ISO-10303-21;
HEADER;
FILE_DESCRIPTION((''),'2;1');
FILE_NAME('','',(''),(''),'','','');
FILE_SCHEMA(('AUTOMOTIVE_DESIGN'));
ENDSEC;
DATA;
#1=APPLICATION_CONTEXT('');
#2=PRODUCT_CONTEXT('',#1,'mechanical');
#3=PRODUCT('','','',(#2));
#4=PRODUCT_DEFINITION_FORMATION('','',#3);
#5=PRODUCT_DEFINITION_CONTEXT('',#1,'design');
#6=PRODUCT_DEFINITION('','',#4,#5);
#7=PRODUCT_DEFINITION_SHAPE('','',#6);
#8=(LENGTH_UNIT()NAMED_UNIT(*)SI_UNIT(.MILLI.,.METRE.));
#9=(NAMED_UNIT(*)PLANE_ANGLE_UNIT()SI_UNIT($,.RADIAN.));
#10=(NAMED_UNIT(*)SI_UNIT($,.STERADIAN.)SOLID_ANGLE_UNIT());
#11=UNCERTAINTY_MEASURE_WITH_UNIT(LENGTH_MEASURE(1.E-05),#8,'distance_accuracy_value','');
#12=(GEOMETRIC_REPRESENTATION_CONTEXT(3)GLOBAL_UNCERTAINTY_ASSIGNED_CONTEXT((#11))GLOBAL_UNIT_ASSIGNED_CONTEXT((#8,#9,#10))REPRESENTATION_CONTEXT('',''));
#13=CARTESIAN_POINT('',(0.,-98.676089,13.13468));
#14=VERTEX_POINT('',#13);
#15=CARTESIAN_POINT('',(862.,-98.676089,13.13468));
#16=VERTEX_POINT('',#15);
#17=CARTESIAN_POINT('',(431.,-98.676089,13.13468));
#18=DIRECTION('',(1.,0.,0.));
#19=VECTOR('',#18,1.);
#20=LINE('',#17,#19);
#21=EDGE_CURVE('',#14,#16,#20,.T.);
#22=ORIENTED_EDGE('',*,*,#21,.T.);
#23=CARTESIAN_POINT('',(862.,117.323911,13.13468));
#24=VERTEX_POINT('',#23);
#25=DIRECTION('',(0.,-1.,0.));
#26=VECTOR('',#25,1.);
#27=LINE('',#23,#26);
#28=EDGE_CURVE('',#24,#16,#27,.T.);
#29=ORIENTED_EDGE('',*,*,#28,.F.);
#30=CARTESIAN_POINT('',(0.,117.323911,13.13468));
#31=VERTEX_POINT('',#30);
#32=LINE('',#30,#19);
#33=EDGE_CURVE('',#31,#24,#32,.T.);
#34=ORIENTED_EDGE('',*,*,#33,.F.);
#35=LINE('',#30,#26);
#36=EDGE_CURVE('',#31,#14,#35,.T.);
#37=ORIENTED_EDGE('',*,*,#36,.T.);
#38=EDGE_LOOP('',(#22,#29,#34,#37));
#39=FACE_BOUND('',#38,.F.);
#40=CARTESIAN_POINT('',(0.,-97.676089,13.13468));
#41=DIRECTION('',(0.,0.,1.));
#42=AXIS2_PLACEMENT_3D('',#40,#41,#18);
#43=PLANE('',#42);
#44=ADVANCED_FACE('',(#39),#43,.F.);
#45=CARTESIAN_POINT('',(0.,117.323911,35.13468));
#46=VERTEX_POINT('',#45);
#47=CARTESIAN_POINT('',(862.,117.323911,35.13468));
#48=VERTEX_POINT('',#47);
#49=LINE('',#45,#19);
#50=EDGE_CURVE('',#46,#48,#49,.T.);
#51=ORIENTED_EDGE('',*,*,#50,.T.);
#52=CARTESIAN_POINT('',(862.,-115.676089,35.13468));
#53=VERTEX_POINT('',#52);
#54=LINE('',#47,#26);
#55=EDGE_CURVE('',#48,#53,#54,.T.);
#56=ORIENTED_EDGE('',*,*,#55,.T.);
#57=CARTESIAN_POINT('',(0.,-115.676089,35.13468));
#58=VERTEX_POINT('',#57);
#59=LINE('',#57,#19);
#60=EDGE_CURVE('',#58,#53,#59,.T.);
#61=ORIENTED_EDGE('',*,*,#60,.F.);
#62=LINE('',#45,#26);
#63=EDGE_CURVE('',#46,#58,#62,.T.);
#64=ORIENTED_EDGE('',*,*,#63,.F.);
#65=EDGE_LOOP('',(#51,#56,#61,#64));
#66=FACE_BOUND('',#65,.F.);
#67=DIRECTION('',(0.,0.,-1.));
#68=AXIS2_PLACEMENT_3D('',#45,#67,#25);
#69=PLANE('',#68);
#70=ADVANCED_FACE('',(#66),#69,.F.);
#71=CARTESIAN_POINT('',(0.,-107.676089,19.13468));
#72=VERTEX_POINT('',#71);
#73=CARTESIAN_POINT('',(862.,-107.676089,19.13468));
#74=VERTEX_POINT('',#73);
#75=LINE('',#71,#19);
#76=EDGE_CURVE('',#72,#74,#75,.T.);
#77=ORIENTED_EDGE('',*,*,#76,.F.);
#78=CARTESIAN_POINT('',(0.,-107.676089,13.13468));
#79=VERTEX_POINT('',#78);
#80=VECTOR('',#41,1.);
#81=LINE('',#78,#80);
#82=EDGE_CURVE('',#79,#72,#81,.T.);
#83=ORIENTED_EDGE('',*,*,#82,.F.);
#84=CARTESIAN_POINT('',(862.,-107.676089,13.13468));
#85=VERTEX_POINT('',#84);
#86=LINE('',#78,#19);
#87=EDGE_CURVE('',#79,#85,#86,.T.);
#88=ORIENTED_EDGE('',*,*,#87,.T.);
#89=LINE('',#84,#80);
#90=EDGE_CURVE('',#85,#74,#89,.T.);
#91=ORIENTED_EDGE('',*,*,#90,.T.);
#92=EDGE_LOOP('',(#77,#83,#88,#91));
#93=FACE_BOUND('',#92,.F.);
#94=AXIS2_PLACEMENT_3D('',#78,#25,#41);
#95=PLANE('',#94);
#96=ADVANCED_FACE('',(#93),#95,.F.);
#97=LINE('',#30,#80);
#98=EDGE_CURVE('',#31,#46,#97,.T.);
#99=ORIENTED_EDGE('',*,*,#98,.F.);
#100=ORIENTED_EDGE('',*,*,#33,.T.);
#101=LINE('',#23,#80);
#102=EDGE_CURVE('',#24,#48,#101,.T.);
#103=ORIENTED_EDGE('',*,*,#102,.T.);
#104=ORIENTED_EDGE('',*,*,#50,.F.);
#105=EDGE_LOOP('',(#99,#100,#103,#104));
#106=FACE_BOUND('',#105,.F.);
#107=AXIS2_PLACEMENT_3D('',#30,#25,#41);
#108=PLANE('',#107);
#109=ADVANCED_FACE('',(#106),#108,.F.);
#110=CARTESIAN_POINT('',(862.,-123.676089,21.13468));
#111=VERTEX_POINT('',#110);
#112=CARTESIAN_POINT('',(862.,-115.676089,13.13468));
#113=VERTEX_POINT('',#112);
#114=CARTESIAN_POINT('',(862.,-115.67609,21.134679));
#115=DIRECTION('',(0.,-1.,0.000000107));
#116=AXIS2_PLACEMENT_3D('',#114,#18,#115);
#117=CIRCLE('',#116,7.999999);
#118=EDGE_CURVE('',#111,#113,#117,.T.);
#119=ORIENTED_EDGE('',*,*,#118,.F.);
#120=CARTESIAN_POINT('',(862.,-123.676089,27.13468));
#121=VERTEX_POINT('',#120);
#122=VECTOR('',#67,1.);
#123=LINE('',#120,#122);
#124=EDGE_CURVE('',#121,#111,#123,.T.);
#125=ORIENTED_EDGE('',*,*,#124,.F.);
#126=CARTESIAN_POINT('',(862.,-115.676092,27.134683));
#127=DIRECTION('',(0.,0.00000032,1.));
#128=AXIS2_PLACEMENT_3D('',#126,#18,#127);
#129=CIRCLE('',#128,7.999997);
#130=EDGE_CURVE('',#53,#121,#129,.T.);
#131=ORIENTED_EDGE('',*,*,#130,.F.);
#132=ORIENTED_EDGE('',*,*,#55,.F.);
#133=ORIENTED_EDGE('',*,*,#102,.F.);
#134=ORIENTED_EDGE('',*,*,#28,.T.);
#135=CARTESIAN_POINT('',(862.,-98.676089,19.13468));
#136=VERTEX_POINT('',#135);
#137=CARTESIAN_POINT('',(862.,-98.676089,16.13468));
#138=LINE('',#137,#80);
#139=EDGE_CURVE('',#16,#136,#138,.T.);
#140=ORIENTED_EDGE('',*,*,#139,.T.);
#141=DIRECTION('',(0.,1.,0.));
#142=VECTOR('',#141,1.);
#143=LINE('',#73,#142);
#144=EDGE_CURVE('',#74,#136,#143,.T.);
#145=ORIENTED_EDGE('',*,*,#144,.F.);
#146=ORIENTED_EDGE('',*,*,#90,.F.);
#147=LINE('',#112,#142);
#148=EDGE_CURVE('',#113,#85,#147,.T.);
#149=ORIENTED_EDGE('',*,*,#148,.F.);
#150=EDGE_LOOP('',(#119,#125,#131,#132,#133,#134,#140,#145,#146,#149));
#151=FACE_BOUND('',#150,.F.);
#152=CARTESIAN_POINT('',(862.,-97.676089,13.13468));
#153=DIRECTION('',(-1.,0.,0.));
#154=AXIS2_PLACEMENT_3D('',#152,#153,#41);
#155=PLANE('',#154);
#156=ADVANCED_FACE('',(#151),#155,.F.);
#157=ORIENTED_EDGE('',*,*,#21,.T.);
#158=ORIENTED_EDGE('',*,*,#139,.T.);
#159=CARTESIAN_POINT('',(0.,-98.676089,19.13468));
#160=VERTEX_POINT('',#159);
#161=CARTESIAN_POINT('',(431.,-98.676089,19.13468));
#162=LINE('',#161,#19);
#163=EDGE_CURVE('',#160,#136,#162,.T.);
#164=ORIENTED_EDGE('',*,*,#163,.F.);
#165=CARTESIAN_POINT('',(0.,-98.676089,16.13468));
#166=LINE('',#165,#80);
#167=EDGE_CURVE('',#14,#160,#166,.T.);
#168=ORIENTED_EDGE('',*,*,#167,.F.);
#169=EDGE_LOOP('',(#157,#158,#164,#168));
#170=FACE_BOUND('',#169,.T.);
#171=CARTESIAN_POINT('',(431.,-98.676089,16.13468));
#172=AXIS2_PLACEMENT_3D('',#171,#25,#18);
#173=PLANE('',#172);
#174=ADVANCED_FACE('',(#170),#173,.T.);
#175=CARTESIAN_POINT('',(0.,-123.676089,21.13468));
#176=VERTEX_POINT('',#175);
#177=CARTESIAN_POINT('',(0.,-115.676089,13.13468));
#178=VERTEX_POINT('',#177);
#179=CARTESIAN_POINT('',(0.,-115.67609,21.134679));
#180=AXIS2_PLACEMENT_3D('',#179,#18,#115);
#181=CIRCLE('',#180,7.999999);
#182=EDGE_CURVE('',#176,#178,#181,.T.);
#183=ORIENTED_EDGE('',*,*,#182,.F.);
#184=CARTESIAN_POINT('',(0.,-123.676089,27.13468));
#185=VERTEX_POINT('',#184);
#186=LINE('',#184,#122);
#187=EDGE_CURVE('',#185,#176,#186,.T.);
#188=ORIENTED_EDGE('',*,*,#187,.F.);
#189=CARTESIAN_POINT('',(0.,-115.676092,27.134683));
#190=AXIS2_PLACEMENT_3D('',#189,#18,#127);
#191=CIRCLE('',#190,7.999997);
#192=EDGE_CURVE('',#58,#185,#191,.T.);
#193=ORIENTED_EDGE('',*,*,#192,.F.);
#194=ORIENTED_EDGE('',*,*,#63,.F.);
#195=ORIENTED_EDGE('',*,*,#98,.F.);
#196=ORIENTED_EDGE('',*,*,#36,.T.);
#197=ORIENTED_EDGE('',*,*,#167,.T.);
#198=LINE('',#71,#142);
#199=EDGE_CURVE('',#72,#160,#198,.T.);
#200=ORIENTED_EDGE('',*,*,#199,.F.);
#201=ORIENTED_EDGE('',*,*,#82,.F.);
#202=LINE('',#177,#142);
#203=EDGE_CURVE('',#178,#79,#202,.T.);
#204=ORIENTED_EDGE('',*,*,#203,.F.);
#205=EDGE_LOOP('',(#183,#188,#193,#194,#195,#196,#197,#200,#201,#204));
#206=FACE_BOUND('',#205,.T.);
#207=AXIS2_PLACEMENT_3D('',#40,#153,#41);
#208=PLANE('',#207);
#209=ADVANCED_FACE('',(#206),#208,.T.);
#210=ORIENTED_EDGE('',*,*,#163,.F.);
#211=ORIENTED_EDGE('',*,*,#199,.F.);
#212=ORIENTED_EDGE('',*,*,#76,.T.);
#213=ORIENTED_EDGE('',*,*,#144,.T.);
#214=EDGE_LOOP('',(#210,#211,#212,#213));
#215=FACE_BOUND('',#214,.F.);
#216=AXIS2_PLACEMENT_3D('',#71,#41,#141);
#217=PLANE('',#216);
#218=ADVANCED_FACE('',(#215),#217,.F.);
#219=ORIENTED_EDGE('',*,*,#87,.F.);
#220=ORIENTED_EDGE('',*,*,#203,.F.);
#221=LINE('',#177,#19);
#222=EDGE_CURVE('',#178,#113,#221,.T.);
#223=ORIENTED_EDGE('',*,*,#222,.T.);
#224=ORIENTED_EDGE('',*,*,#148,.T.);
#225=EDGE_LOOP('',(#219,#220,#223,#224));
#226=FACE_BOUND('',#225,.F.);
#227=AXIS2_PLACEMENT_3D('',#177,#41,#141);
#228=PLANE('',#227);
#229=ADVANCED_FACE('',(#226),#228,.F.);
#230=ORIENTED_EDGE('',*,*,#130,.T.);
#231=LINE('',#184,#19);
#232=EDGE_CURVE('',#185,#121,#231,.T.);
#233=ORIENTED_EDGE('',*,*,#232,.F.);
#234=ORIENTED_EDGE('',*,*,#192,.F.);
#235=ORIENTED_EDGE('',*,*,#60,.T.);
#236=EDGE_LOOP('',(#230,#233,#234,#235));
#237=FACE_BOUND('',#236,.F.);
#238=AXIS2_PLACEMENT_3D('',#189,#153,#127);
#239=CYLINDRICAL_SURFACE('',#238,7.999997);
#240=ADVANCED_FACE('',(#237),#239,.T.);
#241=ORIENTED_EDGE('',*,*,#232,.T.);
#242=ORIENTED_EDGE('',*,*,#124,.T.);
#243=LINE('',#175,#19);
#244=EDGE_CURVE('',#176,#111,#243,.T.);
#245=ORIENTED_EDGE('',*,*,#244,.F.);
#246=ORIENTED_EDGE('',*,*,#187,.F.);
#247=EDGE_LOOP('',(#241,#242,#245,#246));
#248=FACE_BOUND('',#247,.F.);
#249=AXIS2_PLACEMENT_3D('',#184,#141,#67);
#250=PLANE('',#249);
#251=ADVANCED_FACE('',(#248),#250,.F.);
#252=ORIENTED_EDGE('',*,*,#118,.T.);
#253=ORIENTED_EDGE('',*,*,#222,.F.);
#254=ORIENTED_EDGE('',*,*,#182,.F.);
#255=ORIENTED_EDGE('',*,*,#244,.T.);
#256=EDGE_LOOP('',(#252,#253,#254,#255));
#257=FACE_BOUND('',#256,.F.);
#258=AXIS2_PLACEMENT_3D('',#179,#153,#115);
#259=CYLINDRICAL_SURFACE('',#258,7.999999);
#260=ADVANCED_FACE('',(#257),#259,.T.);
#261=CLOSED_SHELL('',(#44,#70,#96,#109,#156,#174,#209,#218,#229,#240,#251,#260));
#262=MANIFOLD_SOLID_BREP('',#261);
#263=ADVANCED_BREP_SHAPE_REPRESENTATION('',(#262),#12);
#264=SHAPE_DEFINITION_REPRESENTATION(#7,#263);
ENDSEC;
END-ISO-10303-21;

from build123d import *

# Parameters (mm, degrees)
F1_DEPTH  = 862
F1_FACE_W = 862
F1_FACE_H = 6
F2_DEPTH  = 1


with BuildPart() as f1:
    # F0 (on Right) → F1 (new body)
    with BuildSketch(Plane.YZ):
        with BuildLine():
            Line((117.323911, 35.13468), (-115.676089, 35.13468))
            ThreePointArc((-115.676089, 35.13468), (-121.332944, 32.791535), (-123.676089, 27.13468))
            Line((-123.676089, 27.13468), (-123.676089, 21.13468))
            ThreePointArc((-123.676089, 21.13468), (-121.332944, 15.477826), (-115.676089, 13.13468))
            Line((-115.676089, 13.13468), (-107.676089, 13.13468))
            Line((-107.676089, 13.13468), (-107.676089, 19.13468))
            Line((-107.676089, 19.13468), (-97.676089, 19.13468))
            Line((-97.676089, 19.13468), (-97.676089, 13.13468))
            Line((-97.676089, 13.13468), (117.323911, 13.13468))
            Line((117.323911, 13.13468), (117.323911, 35.13468))
        make_face()
    extrude(amount=F1_DEPTH)

    # F1_face (on face) → F2 (join)
    with BuildSketch(Plane(origin=(431, -97.676089, 16.13468), x_dir=(1, 0, 0), z_dir=(0, -1, 0))):
        Rectangle(F1_FACE_W, F1_FACE_H)
    extrude(amount=F2_DEPTH)


solid = f1.part
